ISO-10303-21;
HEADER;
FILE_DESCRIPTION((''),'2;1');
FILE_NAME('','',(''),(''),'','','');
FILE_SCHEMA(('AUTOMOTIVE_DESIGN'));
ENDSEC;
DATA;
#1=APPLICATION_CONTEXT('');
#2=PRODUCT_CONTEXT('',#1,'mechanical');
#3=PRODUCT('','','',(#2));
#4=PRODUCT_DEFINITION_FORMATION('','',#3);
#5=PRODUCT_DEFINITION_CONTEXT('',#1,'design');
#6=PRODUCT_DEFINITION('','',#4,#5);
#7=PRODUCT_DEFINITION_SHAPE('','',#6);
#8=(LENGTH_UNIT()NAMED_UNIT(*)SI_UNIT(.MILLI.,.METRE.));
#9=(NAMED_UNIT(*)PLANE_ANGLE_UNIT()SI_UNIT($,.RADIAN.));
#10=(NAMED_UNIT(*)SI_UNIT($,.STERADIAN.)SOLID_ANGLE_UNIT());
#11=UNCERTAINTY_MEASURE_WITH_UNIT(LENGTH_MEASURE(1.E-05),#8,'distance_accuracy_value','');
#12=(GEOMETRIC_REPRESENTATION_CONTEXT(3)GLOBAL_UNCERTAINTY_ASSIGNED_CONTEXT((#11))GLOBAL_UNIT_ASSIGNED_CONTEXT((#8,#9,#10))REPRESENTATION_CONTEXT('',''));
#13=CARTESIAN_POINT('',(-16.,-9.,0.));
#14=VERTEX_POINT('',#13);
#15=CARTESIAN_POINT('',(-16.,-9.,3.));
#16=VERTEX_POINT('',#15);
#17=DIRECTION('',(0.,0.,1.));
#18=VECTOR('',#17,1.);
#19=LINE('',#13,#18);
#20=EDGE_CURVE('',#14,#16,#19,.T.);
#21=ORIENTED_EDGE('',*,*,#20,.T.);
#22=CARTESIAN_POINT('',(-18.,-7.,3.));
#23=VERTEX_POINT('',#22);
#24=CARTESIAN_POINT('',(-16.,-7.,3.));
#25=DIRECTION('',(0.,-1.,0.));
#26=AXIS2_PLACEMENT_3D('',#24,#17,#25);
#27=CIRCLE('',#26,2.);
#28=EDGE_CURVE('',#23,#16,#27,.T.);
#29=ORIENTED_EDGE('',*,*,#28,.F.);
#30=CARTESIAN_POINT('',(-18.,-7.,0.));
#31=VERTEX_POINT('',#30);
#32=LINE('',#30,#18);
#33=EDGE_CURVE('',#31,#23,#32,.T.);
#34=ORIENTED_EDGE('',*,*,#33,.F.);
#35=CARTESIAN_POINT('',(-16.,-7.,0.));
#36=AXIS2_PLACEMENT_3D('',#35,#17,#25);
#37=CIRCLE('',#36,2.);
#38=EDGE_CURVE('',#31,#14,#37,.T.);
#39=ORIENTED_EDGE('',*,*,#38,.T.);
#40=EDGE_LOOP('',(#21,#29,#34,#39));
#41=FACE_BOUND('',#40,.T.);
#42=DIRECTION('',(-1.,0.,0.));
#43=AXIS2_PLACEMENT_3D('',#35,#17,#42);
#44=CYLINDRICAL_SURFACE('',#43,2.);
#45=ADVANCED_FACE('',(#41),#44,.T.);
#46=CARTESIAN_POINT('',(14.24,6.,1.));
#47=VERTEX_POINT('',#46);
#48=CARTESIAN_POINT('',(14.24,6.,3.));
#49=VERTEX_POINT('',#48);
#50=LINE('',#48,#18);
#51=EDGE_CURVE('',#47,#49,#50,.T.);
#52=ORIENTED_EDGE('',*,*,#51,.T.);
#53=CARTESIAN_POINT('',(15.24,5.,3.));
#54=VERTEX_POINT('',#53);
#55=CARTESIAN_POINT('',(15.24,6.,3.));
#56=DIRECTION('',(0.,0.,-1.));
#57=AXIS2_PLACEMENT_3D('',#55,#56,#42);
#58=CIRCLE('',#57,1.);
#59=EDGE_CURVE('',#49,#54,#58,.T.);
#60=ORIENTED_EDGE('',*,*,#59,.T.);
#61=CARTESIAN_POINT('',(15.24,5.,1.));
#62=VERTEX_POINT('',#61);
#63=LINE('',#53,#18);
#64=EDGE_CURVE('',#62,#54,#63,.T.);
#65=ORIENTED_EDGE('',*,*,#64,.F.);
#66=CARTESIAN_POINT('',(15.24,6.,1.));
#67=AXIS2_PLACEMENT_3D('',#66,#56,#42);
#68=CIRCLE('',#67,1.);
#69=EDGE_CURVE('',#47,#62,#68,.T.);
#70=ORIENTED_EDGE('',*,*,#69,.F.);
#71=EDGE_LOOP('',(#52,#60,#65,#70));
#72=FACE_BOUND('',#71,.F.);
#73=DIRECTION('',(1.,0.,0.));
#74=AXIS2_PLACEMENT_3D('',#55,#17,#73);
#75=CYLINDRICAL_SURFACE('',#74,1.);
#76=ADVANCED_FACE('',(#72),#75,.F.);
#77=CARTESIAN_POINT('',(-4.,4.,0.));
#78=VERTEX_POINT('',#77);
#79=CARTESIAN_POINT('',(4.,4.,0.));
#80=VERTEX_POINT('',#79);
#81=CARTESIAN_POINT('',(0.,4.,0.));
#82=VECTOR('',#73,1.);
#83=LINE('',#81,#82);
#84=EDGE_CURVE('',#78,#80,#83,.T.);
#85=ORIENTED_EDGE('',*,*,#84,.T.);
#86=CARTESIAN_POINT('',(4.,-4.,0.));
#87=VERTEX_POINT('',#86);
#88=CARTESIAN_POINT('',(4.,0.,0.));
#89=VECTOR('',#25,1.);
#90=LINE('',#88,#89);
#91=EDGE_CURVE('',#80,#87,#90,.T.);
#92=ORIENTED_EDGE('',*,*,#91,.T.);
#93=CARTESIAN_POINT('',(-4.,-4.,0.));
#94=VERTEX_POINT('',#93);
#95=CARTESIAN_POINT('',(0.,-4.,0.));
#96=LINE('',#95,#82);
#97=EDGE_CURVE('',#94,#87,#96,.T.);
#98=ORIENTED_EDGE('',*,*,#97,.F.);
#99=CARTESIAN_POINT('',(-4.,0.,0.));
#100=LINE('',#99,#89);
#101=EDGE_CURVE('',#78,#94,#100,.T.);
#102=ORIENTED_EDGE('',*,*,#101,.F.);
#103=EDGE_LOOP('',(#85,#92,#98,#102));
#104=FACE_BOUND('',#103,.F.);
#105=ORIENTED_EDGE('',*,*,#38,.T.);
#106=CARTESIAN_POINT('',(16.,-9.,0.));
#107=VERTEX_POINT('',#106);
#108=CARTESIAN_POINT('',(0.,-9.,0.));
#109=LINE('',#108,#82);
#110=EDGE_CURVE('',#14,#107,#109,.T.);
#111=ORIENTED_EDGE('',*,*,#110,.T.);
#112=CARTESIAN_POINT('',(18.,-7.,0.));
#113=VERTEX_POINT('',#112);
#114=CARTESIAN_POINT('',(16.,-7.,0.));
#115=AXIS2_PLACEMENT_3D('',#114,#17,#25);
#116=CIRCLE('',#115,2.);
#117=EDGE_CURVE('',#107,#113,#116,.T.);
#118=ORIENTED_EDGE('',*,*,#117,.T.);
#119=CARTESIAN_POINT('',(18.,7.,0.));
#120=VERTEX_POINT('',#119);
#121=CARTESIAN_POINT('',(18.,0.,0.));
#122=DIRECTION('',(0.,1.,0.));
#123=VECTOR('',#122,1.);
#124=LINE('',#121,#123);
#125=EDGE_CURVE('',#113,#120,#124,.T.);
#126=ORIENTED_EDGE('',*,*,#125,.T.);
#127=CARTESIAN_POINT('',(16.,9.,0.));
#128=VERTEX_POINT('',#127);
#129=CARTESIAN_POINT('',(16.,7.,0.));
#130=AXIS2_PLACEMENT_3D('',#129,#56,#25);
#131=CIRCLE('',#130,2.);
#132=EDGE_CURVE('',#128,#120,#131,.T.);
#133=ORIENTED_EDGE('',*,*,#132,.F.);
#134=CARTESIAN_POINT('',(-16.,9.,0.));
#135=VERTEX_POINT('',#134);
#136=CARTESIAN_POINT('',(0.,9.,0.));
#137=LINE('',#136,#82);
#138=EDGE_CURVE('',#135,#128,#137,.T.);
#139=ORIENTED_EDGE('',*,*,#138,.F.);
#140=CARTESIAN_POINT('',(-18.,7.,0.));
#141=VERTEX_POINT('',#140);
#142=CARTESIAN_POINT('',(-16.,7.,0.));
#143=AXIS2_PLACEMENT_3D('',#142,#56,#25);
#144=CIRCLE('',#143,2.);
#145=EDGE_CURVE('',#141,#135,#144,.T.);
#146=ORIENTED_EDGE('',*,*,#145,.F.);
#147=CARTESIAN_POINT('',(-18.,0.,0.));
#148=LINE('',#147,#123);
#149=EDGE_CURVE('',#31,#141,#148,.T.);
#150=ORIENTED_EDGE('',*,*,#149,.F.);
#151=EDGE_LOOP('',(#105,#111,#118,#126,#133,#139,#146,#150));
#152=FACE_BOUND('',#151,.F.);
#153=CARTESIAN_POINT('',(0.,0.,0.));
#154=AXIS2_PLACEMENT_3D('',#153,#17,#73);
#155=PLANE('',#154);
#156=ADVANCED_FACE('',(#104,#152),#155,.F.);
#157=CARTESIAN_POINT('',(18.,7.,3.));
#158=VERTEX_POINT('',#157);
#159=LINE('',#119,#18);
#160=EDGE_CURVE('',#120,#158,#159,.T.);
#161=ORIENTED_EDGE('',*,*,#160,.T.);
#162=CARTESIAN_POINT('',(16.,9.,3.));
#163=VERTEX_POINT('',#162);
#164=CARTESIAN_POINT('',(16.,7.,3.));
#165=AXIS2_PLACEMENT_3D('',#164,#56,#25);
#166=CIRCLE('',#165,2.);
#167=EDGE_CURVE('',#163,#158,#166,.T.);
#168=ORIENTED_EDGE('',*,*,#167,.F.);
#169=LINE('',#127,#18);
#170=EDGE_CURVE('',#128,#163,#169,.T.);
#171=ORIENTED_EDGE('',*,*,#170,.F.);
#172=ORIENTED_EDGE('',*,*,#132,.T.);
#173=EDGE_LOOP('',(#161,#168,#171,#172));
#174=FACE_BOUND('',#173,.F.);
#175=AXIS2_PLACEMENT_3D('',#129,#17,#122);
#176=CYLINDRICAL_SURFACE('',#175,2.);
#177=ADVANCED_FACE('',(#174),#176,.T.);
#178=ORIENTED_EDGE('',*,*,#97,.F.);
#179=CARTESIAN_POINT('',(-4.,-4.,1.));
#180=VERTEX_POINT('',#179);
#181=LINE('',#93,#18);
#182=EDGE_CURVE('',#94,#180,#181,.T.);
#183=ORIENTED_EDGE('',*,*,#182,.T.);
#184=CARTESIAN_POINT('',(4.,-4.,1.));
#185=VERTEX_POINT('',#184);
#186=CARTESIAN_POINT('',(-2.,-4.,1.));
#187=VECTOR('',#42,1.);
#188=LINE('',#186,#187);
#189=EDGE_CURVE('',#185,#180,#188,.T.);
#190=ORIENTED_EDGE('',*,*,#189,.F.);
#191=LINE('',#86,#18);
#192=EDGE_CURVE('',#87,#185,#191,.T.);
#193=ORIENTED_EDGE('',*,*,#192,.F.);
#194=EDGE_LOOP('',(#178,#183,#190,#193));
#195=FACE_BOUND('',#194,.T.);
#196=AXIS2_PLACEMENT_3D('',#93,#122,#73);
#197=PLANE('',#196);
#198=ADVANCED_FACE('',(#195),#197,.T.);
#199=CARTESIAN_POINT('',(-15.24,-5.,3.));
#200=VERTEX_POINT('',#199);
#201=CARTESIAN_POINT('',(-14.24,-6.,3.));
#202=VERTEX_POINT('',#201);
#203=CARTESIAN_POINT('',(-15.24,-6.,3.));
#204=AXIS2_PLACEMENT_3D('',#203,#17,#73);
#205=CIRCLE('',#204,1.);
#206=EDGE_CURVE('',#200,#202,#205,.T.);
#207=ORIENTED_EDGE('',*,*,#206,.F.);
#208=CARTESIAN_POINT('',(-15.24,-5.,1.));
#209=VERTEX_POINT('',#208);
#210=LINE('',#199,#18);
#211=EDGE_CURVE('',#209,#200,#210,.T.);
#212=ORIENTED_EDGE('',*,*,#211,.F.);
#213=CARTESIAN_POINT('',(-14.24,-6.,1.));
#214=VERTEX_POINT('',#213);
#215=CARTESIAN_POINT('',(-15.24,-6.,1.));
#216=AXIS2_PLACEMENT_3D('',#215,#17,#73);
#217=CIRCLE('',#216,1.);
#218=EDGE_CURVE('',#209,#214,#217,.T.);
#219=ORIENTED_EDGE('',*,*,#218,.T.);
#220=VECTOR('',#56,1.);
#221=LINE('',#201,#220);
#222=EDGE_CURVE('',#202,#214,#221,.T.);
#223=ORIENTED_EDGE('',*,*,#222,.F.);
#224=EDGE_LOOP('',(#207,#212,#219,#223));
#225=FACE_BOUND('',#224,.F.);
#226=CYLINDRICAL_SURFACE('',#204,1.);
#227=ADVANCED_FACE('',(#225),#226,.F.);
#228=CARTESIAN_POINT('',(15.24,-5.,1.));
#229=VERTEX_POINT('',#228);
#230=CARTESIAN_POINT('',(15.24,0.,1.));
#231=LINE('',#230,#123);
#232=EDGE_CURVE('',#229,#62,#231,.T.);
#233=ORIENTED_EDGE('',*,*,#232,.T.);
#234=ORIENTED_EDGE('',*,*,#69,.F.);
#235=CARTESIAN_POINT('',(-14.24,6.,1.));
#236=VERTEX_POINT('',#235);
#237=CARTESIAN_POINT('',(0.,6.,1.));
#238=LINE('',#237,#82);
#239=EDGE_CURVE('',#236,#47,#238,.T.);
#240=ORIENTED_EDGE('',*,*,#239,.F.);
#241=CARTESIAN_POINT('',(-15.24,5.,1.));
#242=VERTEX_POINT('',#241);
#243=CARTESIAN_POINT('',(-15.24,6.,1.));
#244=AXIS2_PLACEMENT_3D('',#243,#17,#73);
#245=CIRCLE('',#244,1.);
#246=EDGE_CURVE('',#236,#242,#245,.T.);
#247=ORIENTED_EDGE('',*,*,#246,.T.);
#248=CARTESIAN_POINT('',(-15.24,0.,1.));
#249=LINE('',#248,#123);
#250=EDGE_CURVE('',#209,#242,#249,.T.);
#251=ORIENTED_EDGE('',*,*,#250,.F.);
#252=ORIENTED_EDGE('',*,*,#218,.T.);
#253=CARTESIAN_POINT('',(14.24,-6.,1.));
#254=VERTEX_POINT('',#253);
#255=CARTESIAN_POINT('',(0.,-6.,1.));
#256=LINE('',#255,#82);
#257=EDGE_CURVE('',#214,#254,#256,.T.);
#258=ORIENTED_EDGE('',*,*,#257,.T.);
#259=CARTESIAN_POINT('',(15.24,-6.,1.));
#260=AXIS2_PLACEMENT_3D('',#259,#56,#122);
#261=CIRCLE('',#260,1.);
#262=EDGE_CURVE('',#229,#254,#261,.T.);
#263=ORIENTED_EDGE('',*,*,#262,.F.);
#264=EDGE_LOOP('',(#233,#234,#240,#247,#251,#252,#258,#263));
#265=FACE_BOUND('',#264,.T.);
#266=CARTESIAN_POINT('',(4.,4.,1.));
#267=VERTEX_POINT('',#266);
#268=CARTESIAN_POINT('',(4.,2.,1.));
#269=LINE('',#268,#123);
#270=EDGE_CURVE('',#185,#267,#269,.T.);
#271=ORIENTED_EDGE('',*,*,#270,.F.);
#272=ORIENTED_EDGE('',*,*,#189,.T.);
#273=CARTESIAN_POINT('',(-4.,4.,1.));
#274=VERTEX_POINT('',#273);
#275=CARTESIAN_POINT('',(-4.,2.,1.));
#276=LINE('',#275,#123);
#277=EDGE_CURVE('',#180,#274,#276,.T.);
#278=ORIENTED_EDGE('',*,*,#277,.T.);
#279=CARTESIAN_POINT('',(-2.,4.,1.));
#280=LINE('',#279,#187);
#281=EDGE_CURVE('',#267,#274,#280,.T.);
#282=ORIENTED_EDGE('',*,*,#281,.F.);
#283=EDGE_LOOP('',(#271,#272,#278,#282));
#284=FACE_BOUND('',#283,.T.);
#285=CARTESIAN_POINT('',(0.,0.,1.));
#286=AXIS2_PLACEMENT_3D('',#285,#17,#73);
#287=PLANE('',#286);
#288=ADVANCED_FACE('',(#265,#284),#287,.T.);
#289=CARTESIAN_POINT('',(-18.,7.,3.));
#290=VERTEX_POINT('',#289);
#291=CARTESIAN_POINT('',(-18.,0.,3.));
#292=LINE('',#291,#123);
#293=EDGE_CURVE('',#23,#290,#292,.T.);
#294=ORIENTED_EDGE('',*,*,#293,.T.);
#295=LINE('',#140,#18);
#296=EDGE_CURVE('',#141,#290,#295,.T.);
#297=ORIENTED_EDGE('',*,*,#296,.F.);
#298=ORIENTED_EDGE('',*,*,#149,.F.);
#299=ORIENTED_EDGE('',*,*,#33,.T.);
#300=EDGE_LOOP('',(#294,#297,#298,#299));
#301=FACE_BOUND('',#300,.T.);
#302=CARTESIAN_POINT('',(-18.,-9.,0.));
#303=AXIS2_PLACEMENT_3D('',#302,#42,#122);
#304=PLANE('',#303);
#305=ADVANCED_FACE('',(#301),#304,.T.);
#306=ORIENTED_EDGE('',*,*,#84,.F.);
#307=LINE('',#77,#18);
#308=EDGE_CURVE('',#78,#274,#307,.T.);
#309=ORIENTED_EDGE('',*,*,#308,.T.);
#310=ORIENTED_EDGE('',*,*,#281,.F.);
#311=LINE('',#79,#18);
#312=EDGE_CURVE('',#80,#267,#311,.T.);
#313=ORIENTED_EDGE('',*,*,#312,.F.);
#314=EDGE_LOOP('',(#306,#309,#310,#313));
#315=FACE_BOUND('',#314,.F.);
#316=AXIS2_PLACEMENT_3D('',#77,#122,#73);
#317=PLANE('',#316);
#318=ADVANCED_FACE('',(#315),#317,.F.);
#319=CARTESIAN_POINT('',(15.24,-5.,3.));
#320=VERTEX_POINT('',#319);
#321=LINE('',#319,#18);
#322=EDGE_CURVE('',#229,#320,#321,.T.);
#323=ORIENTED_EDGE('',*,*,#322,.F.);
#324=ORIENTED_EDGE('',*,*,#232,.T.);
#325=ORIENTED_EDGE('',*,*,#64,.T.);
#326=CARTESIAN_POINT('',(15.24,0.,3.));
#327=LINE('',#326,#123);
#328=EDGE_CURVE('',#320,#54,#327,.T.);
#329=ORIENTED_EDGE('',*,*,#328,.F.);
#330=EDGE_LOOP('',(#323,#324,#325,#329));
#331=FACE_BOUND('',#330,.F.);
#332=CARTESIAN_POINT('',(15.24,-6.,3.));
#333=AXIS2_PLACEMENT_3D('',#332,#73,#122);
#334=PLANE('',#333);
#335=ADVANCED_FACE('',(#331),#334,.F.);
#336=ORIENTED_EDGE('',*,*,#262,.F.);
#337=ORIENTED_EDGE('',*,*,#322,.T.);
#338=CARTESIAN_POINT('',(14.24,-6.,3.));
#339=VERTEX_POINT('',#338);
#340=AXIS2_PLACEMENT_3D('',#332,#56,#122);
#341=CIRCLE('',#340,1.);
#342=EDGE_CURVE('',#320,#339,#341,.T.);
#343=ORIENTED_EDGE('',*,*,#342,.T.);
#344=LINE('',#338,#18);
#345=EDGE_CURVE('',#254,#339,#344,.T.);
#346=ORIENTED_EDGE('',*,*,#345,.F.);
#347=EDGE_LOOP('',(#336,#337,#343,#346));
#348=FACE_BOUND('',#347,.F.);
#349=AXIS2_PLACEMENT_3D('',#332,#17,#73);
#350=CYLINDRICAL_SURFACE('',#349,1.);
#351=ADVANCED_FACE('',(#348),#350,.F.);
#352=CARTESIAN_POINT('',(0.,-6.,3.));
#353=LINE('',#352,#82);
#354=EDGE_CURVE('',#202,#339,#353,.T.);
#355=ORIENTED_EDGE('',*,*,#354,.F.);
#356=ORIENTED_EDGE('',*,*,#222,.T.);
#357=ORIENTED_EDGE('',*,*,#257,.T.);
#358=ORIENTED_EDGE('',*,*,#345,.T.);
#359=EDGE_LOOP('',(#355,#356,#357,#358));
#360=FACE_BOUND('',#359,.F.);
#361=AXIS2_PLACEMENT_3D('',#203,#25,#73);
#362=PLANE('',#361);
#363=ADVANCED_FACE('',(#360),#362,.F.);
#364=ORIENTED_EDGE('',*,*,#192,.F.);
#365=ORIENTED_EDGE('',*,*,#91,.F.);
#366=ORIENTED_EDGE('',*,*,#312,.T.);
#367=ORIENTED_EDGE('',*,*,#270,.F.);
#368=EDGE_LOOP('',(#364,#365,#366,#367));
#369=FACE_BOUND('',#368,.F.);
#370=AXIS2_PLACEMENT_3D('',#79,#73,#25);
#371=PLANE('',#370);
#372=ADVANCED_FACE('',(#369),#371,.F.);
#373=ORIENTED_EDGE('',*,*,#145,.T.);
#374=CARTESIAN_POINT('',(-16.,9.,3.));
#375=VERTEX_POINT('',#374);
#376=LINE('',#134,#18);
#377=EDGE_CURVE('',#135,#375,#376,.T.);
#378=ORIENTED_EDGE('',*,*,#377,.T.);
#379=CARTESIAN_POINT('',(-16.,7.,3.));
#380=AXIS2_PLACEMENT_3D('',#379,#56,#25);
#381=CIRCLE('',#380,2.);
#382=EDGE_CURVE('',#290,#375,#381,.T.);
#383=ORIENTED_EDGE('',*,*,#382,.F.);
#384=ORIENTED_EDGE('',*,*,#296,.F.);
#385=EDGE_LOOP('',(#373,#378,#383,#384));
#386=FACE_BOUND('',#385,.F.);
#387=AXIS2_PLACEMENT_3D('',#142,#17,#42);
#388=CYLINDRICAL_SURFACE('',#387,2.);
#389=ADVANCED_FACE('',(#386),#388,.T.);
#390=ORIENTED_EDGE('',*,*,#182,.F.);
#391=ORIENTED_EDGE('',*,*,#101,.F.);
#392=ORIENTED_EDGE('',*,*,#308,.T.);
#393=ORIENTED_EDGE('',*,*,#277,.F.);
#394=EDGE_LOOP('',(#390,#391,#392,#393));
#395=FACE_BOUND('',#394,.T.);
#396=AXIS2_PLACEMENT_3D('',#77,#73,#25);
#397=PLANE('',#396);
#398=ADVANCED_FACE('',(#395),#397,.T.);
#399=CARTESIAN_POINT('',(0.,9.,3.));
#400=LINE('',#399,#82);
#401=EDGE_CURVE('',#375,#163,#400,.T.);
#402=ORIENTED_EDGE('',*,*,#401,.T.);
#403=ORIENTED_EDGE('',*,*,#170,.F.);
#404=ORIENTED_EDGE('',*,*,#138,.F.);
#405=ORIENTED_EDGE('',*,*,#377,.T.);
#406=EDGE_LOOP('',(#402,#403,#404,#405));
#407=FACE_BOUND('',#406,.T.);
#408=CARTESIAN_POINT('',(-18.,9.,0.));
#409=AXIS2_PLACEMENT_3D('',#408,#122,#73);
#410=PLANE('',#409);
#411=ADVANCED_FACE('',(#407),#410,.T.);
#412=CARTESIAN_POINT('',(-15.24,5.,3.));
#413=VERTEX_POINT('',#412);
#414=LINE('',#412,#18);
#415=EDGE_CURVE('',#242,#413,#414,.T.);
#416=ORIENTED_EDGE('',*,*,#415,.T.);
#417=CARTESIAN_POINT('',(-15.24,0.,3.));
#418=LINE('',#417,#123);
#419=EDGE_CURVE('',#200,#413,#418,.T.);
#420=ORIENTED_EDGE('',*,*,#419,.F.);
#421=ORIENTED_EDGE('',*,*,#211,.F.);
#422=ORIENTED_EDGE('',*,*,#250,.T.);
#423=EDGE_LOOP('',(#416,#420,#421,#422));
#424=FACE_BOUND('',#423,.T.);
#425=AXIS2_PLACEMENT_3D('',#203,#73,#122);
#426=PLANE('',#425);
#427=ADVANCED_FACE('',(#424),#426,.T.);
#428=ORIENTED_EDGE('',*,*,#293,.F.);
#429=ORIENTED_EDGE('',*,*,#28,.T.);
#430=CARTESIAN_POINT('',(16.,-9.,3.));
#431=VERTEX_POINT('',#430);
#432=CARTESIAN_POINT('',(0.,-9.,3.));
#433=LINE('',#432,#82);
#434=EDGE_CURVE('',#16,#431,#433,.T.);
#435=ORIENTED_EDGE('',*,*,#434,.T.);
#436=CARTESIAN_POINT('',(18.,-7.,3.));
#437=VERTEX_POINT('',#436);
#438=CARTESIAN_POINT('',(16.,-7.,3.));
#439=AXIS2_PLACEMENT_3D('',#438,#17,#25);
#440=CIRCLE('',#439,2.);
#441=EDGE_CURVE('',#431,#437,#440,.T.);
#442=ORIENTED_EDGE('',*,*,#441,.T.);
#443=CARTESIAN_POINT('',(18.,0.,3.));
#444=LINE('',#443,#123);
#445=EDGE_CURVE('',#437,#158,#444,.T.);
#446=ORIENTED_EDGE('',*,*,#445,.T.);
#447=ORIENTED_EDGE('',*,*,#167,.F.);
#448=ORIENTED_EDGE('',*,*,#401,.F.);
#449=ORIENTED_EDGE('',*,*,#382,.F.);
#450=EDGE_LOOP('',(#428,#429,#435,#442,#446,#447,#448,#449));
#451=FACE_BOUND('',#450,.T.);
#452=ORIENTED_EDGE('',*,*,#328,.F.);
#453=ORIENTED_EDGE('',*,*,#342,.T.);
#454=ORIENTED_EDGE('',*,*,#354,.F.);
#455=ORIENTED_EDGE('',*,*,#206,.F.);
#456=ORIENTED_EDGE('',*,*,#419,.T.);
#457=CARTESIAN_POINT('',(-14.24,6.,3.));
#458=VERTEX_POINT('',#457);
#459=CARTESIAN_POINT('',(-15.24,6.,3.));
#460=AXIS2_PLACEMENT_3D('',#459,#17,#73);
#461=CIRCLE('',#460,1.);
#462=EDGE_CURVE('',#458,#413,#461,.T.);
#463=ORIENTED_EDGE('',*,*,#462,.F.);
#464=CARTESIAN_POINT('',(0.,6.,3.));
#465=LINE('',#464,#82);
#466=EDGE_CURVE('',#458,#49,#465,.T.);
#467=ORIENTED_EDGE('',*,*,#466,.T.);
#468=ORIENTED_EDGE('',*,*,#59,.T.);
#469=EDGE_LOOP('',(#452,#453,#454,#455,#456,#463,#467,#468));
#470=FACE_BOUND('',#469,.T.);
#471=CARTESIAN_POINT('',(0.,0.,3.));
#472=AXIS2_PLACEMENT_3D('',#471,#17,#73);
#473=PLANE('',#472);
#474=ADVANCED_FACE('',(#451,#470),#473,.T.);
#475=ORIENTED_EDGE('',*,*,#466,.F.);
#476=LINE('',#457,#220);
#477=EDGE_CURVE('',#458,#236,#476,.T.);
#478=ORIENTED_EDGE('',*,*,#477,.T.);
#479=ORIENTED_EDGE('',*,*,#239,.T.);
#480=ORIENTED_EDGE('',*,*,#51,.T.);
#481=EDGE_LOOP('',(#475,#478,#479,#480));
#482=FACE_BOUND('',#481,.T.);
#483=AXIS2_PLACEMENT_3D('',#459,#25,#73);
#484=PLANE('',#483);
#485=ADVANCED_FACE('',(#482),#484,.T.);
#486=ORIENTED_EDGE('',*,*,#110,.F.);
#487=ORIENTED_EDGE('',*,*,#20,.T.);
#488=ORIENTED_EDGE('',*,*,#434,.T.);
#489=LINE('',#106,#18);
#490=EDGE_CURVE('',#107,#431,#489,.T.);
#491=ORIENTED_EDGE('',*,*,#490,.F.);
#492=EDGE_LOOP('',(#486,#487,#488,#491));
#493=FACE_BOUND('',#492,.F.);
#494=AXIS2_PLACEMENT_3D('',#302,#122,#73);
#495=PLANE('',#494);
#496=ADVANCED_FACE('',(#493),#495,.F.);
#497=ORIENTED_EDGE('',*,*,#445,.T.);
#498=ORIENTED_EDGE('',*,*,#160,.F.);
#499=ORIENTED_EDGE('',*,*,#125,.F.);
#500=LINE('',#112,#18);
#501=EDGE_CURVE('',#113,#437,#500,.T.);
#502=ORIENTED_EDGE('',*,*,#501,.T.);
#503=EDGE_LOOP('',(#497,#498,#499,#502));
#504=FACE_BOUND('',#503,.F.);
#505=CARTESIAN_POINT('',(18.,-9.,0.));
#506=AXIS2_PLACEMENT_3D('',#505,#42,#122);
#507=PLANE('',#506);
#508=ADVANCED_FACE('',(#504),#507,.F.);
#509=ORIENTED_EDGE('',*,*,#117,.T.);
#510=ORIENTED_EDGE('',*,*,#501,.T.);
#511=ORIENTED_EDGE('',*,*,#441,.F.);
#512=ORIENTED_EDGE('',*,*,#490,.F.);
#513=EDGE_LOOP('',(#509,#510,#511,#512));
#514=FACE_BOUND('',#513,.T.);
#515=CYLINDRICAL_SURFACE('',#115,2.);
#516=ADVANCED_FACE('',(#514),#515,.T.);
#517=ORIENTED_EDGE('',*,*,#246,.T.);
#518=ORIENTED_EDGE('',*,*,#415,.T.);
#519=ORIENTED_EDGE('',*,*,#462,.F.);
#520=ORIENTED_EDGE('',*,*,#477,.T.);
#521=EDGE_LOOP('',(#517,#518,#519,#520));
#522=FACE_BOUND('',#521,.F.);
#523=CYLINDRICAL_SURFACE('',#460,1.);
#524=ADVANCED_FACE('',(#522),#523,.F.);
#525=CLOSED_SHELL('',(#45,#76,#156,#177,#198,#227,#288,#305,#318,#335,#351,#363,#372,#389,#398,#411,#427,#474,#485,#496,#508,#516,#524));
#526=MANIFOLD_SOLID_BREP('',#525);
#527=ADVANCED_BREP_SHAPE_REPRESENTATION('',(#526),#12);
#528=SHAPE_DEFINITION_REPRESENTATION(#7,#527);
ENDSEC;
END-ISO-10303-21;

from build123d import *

# Parameters (mm, degrees)
F0_W     = 36
F0_H     = 18
F1_DEPTH = 3
F2_W     = 30.48
F2_H     = 12
F3_DEPTH = 2
F4_W     = 8
F4_H     = 8
F5_DEPTH = 3.001
F6_R     = 2
F7_R     = 1
F8_DEPTH = 2


with BuildPart() as f1:
    # F0 (on Top) → F1 (new body)
    with BuildSketch(Plane.XY):
        Rectangle(F0_W, F0_H)
    extrude(amount=F1_DEPTH)

    # F2 (on face) → F3 (cut)
    with BuildSketch(Plane.XY.offset(3)):
        Rectangle(F2_W, F2_H)
    extrude(amount=-F3_DEPTH, mode=Mode.SUBTRACT)

    # F4 (on face) → F5 (cut, through all)
    with BuildSketch(Plane(origin=(0, 0, 0), x_dir=(1, 0, 0), z_dir=(0, 0, -1))):
        Rectangle(F4_W, F4_H)
    extrude(amount=-F5_DEPTH, mode=Mode.SUBTRACT)

    # F6
    f6_edges = [f1.edges().sort_by_distance(p)[0] for p in [
        (-18, -9, 1.5),
        (-18, 9, 1.5),
        (18, -9, 1.5),
        (18, 9, 1.5),
    ]]
    fillet(f6_edges, radius=F6_R)

    # F7 (on face) → F8 (cut)
    with BuildSketch(Plane.XY.offset(3)):
        with Locations((-15.24, 6)):
            Circle(F7_R)
        with Locations((-15.24, -6)):
            Circle(F7_R)
        with Locations((15.24, 6)):
            Circle(F7_R)
        with Locations((15.24, -6)):
            Circle(F7_R)
    extrude(amount=-F8_DEPTH, mode=Mode.SUBTRACT)


solid = f1.part
